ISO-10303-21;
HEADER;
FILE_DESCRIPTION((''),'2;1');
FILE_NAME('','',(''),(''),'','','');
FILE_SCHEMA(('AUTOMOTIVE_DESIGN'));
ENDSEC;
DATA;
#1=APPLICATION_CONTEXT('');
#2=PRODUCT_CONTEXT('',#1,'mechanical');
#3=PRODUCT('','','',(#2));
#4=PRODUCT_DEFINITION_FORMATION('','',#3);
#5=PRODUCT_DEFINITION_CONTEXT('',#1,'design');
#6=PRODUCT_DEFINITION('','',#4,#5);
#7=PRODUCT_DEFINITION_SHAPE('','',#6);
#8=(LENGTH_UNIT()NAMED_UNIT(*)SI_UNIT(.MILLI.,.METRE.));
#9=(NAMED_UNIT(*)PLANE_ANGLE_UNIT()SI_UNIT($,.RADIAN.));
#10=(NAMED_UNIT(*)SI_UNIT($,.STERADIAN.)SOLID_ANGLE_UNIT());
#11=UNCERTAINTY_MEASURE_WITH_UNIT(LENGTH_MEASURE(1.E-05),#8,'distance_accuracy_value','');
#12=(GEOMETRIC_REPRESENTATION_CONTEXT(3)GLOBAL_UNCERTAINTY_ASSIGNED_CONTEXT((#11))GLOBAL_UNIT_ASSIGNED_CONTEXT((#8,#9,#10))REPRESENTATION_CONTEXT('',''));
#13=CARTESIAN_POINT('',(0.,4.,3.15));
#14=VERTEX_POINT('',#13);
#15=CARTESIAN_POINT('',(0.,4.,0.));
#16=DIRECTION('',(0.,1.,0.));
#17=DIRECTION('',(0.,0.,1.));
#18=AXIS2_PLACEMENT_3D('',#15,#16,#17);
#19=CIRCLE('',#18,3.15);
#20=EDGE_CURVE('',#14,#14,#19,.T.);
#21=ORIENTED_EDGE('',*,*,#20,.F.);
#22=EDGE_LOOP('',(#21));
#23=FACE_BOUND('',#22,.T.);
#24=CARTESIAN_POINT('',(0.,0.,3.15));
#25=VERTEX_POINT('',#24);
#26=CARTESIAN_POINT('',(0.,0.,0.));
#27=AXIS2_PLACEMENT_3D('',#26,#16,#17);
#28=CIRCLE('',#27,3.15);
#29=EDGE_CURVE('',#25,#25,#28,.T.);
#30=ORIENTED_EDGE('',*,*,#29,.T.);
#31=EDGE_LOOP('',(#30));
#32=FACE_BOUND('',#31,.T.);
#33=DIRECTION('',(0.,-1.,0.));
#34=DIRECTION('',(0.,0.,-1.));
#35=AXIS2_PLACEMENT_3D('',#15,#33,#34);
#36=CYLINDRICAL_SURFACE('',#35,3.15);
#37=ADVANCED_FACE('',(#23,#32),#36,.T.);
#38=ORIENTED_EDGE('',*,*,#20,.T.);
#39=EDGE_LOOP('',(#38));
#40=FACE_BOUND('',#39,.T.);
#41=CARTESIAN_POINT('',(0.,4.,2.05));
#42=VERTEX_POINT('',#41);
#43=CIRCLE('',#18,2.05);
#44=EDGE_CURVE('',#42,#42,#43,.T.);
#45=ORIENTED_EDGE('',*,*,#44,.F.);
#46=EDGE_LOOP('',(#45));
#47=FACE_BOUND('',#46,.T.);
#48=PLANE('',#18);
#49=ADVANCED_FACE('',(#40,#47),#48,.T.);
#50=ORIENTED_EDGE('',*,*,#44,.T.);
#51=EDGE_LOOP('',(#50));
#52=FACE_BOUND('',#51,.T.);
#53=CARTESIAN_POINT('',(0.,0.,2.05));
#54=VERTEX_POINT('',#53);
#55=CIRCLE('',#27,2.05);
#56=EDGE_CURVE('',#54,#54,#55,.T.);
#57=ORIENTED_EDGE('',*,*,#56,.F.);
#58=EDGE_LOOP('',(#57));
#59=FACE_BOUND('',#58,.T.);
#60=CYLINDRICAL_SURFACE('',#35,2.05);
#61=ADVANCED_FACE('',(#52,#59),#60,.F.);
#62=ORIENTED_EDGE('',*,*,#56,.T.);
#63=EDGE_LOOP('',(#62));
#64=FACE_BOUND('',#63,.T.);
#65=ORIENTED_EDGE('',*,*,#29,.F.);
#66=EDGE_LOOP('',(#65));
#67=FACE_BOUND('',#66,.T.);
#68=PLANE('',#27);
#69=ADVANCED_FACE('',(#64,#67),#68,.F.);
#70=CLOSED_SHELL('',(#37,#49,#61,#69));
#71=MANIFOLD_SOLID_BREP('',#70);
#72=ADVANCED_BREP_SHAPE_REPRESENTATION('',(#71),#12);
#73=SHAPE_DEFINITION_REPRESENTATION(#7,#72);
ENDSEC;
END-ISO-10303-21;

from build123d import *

# Parameters (mm, degrees)
SKETCH1_R           = 3.15
SKETCH1_R_2         = 2.05
BOSS_EXTRUDE1_DEPTH = 4


with BuildPart() as part:
    # Sketch1 → Boss-Extrude1 (new body)
    with BuildSketch(Plane(origin=(0, 0, 0), x_dir=(1, 0, 0), z_dir=(0, 1, 0))):
        with Locations(Location((0, 0, 0), (0, 0, 270))):
            Circle(SKETCH1_R)
        with Locations(Location((0, 0, 0), (0, 0, 270))):
            Circle(SKETCH1_R_2, mode=Mode.SUBTRACT)
    extrude(amount=BOSS_EXTRUDE1_DEPTH)


solid = part.part
